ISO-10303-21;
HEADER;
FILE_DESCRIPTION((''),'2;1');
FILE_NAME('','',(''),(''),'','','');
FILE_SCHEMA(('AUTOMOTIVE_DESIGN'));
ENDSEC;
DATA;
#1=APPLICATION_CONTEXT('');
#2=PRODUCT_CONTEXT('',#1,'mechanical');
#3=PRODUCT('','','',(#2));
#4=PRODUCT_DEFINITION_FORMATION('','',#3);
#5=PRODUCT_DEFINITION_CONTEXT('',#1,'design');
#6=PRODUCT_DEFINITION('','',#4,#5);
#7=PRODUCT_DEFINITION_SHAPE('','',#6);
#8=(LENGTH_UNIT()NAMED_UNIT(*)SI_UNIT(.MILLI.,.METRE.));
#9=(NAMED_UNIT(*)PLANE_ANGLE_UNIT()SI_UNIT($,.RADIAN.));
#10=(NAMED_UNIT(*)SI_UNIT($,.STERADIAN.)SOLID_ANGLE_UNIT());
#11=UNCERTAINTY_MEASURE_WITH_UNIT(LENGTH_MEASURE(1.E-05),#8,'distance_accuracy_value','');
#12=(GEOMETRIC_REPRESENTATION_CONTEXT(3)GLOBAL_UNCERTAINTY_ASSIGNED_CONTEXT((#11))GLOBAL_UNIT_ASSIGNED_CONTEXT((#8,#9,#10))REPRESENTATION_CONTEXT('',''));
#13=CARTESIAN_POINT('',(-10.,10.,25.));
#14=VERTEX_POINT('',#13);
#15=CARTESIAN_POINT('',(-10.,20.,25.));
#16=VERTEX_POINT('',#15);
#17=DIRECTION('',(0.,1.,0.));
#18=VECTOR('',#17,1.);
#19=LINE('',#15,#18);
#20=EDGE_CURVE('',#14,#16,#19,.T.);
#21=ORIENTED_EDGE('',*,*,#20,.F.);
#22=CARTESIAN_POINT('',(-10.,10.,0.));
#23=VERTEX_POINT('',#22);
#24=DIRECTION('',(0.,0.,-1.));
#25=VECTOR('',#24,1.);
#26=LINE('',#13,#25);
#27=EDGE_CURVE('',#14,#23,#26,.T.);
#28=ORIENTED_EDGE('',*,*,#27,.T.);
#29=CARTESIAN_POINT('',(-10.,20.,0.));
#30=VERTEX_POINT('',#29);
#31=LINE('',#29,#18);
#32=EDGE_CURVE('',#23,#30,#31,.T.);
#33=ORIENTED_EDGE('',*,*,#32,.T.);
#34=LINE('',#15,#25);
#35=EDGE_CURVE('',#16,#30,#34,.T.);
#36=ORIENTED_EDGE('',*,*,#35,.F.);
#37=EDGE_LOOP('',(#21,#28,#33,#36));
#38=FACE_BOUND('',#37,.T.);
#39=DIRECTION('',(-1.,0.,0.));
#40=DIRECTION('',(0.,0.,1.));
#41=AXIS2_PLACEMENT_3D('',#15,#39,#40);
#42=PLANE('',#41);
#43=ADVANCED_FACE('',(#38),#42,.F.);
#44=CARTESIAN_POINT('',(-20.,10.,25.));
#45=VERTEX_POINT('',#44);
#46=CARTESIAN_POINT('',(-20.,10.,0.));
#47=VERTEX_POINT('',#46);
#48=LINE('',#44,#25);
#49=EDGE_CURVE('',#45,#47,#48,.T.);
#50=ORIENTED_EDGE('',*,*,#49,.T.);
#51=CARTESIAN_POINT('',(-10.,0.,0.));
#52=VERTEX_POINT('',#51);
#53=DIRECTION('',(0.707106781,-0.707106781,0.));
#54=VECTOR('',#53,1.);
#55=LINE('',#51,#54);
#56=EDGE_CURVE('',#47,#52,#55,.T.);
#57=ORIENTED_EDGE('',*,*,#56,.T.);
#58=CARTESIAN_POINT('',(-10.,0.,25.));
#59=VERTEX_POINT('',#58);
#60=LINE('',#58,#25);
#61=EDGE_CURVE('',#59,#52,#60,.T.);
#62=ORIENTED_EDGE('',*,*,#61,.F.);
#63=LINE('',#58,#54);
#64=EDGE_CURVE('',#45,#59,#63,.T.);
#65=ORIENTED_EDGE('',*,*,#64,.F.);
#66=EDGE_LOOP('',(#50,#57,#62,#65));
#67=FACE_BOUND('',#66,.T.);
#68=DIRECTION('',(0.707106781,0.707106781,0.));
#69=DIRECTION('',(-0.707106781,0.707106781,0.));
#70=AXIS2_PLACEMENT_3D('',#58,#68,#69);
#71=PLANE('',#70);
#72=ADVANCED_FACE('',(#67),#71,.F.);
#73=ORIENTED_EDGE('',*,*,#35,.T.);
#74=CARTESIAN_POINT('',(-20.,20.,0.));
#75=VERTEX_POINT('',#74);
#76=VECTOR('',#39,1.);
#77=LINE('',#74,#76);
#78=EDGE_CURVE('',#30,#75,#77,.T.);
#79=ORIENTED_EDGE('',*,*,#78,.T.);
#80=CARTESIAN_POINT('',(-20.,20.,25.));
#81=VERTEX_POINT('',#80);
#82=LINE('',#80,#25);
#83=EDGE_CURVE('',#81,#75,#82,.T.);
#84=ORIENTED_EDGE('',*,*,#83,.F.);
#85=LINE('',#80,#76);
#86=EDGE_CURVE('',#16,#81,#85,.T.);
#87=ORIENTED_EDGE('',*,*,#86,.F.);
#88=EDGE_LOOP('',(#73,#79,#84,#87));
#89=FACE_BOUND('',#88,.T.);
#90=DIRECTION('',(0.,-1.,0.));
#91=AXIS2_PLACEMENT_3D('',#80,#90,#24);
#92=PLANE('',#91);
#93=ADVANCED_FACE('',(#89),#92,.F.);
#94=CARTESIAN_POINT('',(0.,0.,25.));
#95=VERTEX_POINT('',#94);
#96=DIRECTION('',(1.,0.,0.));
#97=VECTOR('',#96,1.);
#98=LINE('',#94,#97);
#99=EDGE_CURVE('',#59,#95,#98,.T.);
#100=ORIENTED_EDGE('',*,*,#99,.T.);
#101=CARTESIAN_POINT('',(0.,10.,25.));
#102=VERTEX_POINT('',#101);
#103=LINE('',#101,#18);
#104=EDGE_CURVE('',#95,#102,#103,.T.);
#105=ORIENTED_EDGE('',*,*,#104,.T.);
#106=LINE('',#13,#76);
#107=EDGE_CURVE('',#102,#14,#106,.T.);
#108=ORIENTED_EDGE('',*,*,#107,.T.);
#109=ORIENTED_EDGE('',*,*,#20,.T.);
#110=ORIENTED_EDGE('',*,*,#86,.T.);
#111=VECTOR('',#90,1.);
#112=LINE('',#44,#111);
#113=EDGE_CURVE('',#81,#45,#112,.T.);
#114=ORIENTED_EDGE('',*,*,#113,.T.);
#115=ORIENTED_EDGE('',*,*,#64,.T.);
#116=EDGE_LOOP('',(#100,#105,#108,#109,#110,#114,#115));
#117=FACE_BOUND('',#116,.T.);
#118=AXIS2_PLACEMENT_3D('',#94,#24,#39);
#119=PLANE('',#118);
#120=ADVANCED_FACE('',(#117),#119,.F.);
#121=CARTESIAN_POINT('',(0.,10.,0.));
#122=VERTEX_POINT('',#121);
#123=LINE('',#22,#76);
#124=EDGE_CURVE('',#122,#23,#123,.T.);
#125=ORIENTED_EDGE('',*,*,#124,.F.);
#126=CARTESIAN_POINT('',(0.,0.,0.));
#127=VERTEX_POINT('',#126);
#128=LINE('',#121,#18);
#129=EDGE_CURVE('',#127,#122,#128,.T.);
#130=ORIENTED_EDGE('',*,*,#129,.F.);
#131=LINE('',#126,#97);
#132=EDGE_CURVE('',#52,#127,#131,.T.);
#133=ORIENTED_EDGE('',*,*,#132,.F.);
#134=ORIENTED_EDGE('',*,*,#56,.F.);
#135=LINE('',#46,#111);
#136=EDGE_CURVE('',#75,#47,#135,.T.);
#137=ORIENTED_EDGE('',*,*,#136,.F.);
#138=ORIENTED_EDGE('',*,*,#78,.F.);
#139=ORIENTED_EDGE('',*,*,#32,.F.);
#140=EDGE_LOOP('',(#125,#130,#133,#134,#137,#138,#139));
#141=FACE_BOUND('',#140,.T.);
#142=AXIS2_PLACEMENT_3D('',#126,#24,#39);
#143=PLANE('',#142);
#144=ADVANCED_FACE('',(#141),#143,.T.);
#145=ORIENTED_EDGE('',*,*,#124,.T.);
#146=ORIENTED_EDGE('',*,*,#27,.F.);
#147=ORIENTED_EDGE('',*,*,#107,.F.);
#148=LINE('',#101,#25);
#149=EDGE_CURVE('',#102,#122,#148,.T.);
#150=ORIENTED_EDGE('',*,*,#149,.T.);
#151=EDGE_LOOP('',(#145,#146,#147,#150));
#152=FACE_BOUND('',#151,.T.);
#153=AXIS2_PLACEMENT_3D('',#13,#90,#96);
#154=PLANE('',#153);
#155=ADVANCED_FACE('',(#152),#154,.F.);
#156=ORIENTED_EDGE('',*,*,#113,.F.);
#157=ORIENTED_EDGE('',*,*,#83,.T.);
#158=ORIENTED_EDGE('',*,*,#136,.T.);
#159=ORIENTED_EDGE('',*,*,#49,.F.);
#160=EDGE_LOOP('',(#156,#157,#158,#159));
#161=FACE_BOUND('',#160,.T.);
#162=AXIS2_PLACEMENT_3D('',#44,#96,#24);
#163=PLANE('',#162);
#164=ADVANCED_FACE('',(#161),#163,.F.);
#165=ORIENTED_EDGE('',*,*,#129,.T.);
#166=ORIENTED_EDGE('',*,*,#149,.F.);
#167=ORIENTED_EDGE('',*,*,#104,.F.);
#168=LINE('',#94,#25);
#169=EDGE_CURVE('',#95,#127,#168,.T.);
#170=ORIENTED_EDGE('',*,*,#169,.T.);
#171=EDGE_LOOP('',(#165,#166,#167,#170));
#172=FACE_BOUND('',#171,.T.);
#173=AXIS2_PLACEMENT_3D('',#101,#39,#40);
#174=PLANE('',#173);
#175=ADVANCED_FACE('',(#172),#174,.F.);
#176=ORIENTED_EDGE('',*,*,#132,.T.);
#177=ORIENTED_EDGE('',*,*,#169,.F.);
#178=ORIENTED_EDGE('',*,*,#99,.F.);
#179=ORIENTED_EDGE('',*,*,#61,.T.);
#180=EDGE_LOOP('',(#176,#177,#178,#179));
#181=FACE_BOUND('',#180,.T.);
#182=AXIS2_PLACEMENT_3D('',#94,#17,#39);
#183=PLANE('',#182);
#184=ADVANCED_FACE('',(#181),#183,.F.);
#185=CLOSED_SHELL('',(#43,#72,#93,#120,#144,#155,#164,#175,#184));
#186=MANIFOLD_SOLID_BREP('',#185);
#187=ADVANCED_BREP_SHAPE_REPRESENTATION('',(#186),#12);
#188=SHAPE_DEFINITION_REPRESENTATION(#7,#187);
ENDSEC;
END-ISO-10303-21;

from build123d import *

# Parameters (mm, degrees)
BOSS_EXTRUDE1_DEPTH = 25


with BuildPart() as part:
    # Sketch1 → Boss-Extrude1 (new body)
    with BuildSketch(Plane.XY):
        Polygon((-20, 20), (-10, 20), (-10, 10), (0, 10), (0, 0), (-10, 0), (-20, 10), align=None)
    extrude(amount=BOSS_EXTRUDE1_DEPTH)


solid = part.part
